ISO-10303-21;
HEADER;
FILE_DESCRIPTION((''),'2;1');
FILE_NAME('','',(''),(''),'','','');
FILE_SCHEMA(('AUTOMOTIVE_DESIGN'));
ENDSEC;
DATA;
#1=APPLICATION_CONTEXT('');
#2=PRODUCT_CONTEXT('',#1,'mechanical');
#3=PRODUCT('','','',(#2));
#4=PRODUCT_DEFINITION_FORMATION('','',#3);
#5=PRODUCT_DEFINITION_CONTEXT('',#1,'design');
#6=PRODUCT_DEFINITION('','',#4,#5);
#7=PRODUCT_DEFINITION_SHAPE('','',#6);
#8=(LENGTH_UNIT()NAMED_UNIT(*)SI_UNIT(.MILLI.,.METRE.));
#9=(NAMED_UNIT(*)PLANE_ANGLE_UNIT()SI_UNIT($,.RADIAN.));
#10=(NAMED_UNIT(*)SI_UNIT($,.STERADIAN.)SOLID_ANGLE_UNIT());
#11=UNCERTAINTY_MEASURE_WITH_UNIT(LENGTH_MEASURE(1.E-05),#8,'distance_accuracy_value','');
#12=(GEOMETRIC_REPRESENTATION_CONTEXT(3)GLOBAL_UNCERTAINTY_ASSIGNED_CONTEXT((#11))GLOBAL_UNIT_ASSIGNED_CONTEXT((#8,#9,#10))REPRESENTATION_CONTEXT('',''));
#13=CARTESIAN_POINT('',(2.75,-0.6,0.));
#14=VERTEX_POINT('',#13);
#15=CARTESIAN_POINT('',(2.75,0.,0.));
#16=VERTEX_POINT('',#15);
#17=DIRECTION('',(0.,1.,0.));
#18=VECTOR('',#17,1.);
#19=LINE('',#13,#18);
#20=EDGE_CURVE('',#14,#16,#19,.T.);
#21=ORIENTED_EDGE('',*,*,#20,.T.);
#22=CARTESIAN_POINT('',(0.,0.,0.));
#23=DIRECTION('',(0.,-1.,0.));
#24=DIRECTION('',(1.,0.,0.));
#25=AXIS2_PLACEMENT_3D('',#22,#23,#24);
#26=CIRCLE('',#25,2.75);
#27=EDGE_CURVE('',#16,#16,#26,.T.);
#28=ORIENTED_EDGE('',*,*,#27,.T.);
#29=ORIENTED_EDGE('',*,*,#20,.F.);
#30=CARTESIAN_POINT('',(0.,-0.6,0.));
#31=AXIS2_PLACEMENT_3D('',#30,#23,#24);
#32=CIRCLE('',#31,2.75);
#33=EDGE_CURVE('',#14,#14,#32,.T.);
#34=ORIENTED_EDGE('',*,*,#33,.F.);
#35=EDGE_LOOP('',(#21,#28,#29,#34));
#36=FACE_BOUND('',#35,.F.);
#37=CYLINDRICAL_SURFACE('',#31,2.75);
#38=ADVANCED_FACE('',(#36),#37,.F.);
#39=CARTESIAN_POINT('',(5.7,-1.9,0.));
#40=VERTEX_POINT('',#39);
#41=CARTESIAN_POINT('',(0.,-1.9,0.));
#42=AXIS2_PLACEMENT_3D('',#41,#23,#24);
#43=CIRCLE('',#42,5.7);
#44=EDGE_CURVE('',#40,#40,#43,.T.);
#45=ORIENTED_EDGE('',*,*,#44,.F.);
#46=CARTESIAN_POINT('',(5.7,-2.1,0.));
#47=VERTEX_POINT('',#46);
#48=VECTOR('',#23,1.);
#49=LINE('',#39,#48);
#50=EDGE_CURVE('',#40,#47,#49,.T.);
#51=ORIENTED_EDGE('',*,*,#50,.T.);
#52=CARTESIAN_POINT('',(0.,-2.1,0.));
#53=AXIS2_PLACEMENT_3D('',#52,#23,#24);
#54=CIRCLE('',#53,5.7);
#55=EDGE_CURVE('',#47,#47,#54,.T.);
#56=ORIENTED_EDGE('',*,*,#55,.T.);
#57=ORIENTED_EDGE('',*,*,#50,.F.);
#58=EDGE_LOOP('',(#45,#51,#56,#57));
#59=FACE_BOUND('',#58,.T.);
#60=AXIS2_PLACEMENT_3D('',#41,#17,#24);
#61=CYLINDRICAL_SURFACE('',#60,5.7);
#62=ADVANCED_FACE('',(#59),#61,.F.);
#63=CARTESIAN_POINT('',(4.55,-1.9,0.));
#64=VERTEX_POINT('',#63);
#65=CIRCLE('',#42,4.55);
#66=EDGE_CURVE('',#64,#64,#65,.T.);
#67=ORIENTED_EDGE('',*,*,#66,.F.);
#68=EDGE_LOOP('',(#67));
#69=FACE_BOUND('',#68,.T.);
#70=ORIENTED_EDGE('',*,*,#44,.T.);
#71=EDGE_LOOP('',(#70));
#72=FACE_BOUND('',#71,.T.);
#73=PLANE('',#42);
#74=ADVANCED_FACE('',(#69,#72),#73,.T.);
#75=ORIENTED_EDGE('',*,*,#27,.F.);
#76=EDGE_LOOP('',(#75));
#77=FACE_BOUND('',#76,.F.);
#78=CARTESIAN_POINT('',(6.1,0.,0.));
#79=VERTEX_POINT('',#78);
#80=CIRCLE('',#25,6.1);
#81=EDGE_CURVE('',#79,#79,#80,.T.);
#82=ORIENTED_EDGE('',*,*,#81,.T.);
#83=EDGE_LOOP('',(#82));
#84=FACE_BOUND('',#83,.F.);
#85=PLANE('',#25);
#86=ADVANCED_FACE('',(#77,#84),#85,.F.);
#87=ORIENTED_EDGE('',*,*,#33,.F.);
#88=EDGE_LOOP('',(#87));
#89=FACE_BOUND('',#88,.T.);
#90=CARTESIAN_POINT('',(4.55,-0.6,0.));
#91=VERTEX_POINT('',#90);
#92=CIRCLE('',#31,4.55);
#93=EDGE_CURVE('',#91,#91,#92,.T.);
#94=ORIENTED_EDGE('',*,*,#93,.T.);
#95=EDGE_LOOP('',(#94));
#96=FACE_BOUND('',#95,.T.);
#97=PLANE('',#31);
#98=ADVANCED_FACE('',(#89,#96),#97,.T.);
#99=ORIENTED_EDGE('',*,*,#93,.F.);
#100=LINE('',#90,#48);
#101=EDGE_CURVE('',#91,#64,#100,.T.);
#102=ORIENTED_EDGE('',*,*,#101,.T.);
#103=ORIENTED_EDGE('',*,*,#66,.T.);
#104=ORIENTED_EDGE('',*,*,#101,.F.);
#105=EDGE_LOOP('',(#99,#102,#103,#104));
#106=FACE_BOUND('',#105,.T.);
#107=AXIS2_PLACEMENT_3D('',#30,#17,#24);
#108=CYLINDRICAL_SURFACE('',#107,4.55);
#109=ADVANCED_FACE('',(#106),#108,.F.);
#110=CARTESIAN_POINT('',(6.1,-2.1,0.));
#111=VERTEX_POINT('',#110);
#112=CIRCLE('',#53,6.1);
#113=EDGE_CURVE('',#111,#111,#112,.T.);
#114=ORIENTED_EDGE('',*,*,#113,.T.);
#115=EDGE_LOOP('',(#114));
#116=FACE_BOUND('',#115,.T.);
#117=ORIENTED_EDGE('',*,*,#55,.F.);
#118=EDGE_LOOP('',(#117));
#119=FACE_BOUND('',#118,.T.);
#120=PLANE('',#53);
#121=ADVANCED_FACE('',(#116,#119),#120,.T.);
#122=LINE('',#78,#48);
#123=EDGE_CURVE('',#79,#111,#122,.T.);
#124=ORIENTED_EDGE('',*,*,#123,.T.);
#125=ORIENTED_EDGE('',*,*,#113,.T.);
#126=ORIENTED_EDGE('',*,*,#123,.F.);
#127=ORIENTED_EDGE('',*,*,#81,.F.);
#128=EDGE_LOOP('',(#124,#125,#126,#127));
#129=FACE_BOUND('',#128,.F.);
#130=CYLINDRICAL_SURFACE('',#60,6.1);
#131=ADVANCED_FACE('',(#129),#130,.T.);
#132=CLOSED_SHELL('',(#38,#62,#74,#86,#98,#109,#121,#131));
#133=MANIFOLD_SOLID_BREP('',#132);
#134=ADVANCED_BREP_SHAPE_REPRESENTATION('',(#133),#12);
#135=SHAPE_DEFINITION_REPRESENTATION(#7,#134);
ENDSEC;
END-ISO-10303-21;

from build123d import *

# Parameters (mm, degrees)
F0_R     = 6.1
F1_DEPTH = 0.6
F2_R     = 6.1
F2_R_2   = 4.55
F3_DEPTH = 1.3
F4_R     = 2.75
F5_DEPTH = 0.6
F6_R     = 6.1
F6_R_2   = 5.7
F7_DEPTH = 0.2


with BuildPart() as f1:
    # F0 (on Front) → F1 (new body)
    with BuildSketch(Plane.XZ):
        Circle(F0_R)
    extrude(amount=F1_DEPTH)

    # F2 (on face) → F3 (join)
    with BuildSketch(Plane.XZ.offset(0.6)):
        Circle(F2_R)
        Circle(F2_R_2, mode=Mode.SUBTRACT)
    extrude(amount=F3_DEPTH)

    # F4 (on face) → F5 (cut)
    with BuildSketch(Plane.XZ.offset(0.6)):
        Circle(F4_R)
    extrude(amount=-F5_DEPTH, mode=Mode.SUBTRACT)

    # F6 (on face) → F7 (join)
    with BuildSketch(Plane.XZ.offset(1.9)):
        Circle(F6_R)
        Circle(F6_R_2, mode=Mode.SUBTRACT)
    extrude(amount=F7_DEPTH)


solid = f1.part
